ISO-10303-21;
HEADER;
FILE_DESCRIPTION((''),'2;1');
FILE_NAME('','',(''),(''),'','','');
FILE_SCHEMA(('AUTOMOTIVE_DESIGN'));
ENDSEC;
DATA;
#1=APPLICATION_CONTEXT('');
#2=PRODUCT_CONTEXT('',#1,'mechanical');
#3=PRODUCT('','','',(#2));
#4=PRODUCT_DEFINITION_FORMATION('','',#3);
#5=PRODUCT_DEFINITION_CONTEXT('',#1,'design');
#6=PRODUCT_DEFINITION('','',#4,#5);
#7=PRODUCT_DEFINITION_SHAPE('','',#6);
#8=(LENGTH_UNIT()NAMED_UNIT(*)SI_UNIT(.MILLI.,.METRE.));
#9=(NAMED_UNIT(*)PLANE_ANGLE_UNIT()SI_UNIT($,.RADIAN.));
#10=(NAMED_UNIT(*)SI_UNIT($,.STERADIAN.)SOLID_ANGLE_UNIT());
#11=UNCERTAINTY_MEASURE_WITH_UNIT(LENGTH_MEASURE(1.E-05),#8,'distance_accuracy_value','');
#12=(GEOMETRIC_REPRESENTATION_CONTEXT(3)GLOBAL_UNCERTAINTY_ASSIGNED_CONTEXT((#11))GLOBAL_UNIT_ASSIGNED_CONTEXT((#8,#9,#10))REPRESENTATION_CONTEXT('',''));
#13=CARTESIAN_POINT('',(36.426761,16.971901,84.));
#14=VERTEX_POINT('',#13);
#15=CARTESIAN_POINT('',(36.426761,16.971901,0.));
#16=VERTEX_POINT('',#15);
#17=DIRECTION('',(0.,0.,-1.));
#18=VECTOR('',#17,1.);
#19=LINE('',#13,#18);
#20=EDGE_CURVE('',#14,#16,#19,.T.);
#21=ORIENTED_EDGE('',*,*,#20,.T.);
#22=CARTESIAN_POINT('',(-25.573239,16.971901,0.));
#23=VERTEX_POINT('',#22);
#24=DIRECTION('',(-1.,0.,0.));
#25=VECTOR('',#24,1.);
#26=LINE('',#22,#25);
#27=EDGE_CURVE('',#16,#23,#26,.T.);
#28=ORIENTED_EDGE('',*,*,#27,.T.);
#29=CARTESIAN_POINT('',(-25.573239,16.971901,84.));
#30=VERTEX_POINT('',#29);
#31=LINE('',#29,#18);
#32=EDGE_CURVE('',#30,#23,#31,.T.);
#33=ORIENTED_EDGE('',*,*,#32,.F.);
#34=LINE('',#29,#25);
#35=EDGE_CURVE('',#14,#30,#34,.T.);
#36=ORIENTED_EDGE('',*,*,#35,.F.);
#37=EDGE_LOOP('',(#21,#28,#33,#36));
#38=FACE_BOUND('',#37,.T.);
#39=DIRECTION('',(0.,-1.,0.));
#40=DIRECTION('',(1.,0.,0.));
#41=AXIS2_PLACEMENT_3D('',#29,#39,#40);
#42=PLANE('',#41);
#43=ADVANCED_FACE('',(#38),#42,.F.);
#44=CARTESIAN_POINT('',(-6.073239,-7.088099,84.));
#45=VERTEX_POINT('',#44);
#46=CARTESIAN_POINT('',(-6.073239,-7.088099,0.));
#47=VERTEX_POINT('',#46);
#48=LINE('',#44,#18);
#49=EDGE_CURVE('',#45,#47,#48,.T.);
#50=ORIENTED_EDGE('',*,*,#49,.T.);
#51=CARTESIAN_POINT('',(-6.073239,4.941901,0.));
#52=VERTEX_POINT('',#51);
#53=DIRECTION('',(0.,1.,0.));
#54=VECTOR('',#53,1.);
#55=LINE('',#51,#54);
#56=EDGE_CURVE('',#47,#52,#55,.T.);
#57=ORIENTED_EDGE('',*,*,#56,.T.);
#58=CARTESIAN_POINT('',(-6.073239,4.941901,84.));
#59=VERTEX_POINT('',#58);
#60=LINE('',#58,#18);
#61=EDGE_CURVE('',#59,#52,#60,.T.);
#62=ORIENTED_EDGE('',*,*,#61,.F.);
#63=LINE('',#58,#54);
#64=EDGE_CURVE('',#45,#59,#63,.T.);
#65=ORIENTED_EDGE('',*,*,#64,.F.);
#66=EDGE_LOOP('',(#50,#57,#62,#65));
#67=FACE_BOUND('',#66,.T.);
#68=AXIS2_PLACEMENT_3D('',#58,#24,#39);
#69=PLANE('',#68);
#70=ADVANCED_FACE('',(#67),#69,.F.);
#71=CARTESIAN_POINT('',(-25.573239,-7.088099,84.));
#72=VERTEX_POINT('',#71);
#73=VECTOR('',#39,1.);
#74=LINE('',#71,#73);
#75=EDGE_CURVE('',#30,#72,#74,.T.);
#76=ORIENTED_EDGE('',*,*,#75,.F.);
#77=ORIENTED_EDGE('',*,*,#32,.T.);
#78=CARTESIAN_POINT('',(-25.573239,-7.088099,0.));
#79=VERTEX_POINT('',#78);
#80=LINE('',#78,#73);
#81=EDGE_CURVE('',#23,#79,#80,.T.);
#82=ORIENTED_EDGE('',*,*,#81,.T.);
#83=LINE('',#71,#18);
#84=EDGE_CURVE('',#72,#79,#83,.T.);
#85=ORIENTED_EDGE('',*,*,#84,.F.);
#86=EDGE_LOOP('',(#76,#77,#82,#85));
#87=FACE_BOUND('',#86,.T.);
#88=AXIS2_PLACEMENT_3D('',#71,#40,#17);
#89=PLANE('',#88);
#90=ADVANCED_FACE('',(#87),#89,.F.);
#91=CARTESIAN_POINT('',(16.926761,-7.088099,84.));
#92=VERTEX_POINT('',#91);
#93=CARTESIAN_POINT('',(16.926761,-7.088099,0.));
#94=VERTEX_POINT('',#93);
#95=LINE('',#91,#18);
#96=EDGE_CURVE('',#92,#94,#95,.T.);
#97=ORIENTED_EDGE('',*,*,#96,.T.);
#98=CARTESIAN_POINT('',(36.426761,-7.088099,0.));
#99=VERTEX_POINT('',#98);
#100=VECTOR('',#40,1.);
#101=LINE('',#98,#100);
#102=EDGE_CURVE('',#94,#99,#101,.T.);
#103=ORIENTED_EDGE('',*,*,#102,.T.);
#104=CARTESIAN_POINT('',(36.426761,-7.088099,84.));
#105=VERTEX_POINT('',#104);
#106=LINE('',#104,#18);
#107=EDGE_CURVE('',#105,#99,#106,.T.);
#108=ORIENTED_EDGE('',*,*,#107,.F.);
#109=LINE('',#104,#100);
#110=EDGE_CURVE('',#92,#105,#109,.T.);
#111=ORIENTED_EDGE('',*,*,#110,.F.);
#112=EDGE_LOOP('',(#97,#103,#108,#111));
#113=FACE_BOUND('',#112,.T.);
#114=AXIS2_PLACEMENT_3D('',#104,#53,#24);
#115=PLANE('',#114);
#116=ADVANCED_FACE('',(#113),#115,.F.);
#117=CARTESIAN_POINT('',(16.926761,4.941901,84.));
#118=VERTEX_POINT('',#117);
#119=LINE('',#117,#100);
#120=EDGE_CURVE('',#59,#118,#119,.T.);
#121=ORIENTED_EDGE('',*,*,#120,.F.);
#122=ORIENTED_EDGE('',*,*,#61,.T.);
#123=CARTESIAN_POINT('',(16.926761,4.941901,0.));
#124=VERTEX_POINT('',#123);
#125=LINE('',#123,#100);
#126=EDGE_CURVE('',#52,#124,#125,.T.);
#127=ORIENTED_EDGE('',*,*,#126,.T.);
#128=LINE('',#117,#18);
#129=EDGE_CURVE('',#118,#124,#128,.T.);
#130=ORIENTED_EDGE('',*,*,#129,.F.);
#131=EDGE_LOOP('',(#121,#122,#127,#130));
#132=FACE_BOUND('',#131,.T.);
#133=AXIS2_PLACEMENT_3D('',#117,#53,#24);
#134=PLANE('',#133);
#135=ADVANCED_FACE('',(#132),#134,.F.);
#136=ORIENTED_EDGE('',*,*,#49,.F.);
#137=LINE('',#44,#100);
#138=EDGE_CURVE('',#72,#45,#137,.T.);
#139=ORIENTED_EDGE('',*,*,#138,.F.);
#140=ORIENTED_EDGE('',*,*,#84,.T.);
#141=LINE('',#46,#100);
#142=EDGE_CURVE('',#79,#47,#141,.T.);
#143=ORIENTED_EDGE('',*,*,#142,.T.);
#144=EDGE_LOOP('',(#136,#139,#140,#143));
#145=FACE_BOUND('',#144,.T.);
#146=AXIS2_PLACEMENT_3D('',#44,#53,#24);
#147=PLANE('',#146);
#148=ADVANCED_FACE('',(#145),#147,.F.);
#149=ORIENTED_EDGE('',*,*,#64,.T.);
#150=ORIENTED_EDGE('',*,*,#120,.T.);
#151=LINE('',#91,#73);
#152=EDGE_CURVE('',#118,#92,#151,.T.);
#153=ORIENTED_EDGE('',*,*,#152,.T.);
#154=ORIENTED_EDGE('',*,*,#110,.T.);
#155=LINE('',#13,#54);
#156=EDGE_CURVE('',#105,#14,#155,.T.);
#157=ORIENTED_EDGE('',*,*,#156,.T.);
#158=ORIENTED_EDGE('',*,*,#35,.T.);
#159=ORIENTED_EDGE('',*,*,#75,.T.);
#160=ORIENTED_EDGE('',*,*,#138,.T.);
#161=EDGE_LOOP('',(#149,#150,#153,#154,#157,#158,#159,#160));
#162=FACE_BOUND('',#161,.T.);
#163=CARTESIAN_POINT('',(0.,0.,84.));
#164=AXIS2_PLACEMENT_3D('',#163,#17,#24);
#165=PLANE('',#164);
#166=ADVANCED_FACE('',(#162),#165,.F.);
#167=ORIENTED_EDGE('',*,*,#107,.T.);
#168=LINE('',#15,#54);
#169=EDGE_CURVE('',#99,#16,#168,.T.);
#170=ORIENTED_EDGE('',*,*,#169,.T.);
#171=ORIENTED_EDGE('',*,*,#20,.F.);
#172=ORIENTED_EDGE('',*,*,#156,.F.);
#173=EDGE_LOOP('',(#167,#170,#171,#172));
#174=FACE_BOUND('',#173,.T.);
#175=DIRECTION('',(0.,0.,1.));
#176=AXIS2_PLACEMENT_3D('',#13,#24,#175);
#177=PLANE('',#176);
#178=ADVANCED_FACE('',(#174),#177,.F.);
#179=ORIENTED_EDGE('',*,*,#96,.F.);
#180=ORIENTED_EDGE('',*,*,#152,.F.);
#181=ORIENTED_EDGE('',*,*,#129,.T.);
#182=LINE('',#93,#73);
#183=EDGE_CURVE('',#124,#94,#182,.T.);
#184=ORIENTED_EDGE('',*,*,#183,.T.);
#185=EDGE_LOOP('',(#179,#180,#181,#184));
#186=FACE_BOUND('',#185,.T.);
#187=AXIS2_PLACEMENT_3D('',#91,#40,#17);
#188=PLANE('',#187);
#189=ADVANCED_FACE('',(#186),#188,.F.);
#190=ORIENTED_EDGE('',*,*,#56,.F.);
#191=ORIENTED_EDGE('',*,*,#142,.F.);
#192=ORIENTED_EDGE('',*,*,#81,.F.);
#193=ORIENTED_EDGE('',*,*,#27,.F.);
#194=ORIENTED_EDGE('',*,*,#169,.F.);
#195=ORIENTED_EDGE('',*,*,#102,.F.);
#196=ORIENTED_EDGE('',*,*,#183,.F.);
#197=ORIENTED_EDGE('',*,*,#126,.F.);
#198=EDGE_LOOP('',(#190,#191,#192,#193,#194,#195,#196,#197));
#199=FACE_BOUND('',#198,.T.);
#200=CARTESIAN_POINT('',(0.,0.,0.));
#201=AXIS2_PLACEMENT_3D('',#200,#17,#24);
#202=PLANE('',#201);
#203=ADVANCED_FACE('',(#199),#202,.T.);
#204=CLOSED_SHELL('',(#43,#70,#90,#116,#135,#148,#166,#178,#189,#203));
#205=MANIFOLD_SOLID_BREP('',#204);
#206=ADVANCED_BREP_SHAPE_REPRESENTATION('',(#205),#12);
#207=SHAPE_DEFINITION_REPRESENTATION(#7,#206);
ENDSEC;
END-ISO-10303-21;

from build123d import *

# Parameters (mm, degrees)
EXTRUDE_1_DEPTH = 84


with BuildPart() as part:
    # 草图1 → 凸台-拉伸1 (new body)
    with BuildSketch(Plane.XY):
        Polygon((-25.573239437, -7.088098592), (-25.573239437, 16.971901408), (36.426760563, 16.971901408), (36.426760563, -7.088098592), (16.926760563, -7.088098592), (16.926760563, 4.941901408), (-6.073239437, 4.941901408), (-6.073239437, -7.088098592), align=None)
    extrude(amount=EXTRUDE_1_DEPTH)


solid = part.part
